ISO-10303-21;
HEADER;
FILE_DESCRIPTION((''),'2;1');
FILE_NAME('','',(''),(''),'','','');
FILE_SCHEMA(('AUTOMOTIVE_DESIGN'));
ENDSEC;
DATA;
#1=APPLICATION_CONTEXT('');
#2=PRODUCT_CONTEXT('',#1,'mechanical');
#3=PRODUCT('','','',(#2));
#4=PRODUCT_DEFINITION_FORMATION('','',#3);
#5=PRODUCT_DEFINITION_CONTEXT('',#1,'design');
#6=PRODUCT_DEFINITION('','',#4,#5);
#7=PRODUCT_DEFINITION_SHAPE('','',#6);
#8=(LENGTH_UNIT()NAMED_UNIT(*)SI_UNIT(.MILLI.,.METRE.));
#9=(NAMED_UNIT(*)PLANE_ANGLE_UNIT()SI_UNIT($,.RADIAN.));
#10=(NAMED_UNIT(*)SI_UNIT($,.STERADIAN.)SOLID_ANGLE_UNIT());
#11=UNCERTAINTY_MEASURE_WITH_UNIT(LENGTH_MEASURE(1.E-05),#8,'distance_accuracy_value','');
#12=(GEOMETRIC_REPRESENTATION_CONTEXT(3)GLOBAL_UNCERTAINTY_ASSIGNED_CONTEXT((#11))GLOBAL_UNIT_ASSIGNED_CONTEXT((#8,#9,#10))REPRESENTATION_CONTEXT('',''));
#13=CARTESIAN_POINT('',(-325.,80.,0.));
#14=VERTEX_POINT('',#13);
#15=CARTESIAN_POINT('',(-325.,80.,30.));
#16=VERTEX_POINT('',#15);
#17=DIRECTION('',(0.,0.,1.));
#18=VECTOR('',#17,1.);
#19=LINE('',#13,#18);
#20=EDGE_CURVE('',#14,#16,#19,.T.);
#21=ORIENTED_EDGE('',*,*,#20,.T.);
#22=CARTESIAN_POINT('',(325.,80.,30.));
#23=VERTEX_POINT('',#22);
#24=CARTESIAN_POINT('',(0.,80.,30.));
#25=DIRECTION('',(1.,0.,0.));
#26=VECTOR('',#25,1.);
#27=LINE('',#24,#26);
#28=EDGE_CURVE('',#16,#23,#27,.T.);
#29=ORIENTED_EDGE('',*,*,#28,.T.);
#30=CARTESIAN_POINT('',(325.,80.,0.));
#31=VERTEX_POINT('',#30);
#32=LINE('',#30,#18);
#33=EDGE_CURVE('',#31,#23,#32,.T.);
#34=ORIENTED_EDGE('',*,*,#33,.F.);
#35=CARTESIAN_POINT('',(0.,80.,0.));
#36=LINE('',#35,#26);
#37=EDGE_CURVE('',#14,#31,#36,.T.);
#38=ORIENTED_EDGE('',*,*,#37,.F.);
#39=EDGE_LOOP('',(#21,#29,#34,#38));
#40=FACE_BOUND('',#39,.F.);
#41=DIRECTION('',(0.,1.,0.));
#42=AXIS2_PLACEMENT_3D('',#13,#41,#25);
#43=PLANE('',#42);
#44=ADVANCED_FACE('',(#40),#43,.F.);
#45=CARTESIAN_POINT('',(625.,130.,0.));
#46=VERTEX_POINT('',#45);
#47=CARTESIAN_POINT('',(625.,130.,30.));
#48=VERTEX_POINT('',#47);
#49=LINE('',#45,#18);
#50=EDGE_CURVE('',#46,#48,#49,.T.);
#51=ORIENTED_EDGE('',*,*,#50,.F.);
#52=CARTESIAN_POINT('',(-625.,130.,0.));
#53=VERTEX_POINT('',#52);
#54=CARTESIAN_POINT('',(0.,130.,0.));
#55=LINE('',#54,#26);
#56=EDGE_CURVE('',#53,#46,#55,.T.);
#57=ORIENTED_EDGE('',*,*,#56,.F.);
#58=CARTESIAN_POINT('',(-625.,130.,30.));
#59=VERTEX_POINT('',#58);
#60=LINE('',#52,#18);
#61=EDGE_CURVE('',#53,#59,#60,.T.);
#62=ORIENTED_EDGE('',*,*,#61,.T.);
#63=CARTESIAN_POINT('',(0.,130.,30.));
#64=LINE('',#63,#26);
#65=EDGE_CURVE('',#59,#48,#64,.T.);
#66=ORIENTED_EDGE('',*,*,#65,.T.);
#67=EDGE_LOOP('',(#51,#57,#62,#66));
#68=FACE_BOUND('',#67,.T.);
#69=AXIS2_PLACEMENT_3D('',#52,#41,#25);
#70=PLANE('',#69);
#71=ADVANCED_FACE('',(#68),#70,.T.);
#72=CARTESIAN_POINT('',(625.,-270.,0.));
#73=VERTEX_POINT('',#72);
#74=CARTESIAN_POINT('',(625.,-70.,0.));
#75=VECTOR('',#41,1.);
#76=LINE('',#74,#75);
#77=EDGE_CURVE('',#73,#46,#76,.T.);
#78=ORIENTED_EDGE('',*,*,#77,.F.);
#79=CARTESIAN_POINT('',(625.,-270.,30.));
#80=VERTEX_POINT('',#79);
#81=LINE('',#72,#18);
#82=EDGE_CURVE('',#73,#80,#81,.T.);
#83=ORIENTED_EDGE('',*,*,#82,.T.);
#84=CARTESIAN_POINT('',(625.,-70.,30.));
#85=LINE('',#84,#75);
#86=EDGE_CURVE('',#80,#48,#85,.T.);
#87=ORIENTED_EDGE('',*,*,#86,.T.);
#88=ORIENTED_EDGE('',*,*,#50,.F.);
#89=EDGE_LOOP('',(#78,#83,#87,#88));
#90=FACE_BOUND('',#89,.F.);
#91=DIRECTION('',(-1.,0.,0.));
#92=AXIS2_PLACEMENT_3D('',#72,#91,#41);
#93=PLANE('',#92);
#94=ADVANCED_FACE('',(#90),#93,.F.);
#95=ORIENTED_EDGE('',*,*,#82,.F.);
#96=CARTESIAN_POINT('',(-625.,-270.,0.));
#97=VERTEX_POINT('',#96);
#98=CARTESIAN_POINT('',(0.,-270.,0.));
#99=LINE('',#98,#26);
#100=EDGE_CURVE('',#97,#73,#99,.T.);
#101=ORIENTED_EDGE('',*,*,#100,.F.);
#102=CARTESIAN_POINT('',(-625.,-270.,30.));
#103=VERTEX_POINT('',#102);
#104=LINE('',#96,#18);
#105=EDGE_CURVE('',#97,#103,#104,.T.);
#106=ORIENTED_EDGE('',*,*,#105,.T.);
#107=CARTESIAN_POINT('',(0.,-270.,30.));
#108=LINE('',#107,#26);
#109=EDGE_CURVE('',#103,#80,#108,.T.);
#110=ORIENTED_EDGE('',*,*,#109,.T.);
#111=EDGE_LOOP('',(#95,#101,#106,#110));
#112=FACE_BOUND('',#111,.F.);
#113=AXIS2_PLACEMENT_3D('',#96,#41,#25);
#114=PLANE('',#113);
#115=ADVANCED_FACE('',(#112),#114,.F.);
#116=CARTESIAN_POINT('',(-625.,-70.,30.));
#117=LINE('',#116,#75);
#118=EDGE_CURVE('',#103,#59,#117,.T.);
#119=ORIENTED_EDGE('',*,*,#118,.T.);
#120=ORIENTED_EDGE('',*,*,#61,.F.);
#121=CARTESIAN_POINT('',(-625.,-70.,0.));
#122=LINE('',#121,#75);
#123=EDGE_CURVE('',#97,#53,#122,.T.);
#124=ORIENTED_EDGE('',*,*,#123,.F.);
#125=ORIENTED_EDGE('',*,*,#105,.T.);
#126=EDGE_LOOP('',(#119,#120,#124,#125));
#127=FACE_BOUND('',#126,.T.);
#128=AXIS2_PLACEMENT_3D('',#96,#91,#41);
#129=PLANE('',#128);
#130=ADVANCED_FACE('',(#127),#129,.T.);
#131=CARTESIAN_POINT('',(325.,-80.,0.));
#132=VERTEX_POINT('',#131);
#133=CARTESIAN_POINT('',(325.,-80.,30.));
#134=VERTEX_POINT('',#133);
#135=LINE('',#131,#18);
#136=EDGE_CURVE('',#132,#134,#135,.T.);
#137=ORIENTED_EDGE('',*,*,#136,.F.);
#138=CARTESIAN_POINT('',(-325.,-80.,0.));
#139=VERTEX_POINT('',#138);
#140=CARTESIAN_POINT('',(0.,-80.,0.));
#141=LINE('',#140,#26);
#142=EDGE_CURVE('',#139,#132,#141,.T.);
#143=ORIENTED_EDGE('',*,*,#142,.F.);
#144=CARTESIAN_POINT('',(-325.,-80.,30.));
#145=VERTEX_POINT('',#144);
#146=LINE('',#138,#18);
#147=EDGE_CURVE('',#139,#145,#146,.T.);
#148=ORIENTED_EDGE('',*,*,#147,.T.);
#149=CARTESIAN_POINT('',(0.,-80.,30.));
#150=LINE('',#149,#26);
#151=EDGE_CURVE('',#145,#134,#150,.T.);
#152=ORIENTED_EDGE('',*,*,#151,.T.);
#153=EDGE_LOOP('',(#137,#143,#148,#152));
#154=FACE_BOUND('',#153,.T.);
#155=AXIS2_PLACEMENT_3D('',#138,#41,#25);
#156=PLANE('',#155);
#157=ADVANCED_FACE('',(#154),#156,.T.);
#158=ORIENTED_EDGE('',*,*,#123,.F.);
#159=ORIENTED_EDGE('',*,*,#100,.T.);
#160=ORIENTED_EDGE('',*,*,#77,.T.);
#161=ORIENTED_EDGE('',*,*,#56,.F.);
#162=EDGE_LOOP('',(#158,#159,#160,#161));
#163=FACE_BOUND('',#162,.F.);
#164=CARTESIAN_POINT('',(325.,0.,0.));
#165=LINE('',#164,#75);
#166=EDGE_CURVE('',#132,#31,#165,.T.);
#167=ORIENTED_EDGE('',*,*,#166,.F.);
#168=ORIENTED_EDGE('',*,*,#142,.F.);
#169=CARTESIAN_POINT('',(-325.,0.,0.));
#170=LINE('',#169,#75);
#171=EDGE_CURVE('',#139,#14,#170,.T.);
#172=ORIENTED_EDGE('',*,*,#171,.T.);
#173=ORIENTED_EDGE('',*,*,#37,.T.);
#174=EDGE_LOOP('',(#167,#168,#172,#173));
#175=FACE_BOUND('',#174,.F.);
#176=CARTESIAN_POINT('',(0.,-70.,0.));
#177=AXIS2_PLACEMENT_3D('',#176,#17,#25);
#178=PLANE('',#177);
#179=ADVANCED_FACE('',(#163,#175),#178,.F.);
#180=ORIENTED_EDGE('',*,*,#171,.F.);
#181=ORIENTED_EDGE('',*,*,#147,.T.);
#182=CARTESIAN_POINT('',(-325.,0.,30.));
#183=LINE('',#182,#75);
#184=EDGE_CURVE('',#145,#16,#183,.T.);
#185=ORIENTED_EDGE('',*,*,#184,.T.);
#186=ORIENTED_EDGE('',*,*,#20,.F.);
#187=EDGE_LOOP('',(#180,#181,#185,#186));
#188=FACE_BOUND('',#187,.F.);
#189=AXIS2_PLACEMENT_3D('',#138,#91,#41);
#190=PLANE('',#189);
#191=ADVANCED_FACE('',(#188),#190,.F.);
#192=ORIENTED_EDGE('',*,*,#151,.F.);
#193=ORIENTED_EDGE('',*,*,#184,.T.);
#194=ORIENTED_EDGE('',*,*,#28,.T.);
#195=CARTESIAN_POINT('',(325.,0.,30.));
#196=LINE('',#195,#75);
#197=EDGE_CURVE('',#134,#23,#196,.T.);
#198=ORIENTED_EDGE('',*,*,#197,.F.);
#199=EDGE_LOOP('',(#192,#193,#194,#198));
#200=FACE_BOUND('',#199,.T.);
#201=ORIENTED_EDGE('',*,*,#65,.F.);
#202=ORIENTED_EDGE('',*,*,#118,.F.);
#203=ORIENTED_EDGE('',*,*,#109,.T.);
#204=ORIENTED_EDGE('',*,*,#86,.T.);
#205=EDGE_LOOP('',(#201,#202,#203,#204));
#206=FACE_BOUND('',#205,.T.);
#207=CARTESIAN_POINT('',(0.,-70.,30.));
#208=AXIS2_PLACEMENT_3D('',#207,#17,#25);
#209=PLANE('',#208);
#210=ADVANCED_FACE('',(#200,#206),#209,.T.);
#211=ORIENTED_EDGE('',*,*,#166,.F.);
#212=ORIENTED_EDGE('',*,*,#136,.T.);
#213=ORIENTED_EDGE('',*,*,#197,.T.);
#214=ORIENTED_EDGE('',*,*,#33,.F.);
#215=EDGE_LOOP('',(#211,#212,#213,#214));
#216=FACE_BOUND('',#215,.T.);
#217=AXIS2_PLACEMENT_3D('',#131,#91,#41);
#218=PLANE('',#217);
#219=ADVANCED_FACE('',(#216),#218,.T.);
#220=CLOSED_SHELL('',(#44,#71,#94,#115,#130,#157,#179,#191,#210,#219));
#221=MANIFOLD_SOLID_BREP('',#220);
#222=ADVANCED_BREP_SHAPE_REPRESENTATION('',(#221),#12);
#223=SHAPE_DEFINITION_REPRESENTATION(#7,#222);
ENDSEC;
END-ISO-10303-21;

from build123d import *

# Parameters (mm, degrees)
F0_W     = 1250
F0_H     = 400
F0_W_2   = 650
F0_H_2   = 160
F1_DEPTH = 30


with BuildPart() as f1:
    # F0 (on Top) → F1 (new body)
    with BuildSketch(Plane.XY):
        with Locations((0, -70)):
            Rectangle(F0_W, F0_H)
        Rectangle(F0_W_2, F0_H_2, mode=Mode.SUBTRACT)
    extrude(amount=F1_DEPTH)


solid = f1.part
